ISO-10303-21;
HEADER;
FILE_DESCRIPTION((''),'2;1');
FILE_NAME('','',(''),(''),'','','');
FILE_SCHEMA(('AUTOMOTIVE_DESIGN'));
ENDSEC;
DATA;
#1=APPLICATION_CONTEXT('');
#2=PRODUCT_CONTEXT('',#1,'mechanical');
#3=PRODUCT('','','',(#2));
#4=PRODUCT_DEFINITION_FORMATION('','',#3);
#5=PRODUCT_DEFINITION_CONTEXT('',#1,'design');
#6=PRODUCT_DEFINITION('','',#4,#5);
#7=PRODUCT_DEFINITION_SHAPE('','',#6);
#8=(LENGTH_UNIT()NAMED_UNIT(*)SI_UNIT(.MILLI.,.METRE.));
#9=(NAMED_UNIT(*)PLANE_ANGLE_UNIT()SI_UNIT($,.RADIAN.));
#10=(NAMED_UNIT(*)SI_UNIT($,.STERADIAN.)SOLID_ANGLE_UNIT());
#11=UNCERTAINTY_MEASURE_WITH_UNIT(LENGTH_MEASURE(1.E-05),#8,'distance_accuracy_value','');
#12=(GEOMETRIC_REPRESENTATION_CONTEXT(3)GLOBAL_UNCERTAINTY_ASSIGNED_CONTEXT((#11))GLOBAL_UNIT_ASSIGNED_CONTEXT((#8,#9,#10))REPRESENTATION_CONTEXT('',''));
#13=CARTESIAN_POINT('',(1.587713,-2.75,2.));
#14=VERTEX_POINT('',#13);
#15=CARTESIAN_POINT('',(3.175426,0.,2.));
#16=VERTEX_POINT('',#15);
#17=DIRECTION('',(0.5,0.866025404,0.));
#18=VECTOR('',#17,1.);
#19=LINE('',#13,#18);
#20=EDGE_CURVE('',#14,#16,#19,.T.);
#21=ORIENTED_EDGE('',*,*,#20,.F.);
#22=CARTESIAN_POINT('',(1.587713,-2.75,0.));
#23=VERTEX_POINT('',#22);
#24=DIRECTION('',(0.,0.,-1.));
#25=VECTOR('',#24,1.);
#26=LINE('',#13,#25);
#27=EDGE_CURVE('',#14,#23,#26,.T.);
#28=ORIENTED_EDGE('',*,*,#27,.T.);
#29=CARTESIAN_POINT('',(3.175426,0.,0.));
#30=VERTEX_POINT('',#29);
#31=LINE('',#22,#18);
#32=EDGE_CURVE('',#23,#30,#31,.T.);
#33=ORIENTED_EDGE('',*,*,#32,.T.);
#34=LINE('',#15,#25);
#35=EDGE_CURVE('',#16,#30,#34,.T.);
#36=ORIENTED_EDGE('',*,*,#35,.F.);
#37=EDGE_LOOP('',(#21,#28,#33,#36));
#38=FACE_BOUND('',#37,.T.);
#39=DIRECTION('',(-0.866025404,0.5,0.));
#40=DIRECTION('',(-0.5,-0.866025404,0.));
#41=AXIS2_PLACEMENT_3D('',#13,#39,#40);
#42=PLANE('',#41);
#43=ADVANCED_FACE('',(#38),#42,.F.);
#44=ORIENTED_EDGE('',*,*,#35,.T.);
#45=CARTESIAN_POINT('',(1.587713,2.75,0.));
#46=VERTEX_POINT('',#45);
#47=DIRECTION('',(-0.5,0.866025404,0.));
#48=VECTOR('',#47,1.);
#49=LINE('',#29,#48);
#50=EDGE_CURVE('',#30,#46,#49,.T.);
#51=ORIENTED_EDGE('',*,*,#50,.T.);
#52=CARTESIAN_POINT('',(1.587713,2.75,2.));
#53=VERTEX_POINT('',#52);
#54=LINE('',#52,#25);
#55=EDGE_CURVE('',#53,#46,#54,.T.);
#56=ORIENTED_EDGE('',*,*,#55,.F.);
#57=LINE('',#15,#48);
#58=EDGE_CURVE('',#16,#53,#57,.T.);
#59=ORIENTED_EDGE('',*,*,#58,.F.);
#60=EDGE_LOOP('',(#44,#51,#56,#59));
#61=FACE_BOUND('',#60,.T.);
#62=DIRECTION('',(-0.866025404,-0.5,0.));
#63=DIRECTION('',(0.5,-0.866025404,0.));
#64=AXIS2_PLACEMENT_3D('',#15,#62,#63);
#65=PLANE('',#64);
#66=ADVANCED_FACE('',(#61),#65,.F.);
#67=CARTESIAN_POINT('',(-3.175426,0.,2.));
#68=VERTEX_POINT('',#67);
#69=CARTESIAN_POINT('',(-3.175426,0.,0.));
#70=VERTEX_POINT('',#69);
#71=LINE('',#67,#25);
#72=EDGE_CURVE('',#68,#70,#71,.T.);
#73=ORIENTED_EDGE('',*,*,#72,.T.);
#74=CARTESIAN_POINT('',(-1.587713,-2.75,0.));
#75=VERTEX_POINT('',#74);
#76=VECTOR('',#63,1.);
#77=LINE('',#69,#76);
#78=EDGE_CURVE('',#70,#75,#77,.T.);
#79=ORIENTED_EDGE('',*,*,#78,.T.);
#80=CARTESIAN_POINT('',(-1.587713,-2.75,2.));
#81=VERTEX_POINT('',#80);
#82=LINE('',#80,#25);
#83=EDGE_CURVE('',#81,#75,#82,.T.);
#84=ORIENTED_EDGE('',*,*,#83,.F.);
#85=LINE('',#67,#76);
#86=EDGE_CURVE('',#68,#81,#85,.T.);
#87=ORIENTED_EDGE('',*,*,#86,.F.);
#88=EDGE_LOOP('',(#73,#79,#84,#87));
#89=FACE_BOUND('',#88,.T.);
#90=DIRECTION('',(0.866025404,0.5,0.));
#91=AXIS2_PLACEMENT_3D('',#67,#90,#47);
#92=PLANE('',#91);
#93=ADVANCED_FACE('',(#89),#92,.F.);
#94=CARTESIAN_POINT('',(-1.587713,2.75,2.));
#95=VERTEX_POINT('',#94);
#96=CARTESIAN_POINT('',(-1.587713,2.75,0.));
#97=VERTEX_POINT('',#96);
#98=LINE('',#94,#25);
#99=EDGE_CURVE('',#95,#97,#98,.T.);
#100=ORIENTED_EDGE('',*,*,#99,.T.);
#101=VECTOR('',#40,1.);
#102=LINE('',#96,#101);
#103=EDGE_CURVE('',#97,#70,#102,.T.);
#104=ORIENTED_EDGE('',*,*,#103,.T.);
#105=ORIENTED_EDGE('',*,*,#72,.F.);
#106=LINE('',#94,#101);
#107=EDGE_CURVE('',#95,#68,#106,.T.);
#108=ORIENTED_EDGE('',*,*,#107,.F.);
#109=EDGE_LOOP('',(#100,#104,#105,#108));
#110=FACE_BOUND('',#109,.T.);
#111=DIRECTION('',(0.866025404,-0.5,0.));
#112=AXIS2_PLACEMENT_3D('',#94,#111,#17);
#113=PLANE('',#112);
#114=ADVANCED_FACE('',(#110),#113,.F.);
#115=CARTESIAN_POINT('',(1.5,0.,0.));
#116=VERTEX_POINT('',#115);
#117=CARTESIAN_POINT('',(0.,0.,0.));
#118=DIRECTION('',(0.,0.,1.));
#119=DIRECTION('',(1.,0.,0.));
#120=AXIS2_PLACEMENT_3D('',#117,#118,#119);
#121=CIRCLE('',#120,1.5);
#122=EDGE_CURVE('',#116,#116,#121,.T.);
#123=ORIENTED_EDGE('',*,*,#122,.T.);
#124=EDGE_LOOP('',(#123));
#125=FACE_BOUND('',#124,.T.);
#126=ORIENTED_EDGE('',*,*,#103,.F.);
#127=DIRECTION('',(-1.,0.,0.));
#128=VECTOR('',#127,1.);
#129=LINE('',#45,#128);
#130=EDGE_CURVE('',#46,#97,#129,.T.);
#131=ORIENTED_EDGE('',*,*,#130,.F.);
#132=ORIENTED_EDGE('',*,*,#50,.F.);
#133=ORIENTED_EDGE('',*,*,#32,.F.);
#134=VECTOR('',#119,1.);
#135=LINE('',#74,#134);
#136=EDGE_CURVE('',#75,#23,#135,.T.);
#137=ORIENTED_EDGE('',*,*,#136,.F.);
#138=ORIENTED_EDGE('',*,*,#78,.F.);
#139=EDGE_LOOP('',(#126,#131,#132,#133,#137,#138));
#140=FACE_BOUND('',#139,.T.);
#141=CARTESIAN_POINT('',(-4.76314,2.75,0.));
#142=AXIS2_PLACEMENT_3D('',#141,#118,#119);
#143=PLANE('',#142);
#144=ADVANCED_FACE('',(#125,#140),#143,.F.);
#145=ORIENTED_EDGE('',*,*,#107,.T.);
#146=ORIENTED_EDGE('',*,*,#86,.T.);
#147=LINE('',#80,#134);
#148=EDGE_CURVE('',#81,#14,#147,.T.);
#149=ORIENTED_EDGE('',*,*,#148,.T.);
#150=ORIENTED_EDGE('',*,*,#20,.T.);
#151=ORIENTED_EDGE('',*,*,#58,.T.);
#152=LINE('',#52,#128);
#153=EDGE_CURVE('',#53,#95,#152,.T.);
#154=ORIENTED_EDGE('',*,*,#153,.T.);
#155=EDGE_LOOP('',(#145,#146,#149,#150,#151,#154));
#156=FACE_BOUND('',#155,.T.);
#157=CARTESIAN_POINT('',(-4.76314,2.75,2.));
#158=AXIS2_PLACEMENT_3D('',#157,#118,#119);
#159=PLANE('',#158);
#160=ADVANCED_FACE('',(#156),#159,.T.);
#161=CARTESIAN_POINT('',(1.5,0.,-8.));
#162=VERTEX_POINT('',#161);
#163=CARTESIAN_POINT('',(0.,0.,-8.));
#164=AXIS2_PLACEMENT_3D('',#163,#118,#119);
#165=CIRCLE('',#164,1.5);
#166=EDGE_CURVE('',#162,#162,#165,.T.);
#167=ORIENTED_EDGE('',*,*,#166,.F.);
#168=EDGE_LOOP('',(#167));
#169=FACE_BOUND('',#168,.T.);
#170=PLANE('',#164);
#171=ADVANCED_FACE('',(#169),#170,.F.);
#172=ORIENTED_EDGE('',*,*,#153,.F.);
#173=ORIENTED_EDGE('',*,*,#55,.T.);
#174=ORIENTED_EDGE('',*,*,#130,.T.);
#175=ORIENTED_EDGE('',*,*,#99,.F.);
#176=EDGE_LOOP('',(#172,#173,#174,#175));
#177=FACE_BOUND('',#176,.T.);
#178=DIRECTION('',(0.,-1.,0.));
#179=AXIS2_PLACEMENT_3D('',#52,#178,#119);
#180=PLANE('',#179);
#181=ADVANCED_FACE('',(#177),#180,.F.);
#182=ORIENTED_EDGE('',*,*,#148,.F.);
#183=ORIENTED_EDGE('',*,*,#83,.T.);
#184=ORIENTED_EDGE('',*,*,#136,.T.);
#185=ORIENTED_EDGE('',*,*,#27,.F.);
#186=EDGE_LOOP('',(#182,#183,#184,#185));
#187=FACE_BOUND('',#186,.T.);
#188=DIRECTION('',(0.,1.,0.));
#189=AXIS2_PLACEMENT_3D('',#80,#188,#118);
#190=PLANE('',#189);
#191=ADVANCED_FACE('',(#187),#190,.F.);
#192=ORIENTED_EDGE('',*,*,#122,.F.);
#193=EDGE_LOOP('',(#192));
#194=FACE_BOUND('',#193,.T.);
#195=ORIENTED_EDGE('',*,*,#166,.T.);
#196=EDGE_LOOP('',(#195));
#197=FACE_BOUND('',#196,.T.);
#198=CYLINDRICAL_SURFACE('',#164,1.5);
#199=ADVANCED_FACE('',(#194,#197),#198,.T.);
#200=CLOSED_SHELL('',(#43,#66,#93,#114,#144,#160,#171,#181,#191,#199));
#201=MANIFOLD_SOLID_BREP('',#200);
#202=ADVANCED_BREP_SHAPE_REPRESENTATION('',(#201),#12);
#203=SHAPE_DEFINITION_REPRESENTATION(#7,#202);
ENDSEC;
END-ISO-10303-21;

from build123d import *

# Parameters (mm, degrees)
SKETCH1_R      = 1.5
EXTRUDE1_DEPTH = 8
EXTRUDE2_DEPTH = 2


with BuildPart() as part:
    # Sketch1 → Extrude1 (new body)
    with BuildSketch(Plane.XY):
        Circle(SKETCH1_R)
    extrude(amount=-EXTRUDE1_DEPTH)

    # Sketch2 → Extrude2 (add)
    with BuildSketch(Plane.XY):
        Polygon((-1.58771324, 2.75), (-3.175426481, 0), (-1.58771324, -2.75), (1.58771324, -2.75), (3.175426481, 0), (1.58771324, 2.75), align=None)
    extrude(amount=EXTRUDE2_DEPTH)


solid = part.part
